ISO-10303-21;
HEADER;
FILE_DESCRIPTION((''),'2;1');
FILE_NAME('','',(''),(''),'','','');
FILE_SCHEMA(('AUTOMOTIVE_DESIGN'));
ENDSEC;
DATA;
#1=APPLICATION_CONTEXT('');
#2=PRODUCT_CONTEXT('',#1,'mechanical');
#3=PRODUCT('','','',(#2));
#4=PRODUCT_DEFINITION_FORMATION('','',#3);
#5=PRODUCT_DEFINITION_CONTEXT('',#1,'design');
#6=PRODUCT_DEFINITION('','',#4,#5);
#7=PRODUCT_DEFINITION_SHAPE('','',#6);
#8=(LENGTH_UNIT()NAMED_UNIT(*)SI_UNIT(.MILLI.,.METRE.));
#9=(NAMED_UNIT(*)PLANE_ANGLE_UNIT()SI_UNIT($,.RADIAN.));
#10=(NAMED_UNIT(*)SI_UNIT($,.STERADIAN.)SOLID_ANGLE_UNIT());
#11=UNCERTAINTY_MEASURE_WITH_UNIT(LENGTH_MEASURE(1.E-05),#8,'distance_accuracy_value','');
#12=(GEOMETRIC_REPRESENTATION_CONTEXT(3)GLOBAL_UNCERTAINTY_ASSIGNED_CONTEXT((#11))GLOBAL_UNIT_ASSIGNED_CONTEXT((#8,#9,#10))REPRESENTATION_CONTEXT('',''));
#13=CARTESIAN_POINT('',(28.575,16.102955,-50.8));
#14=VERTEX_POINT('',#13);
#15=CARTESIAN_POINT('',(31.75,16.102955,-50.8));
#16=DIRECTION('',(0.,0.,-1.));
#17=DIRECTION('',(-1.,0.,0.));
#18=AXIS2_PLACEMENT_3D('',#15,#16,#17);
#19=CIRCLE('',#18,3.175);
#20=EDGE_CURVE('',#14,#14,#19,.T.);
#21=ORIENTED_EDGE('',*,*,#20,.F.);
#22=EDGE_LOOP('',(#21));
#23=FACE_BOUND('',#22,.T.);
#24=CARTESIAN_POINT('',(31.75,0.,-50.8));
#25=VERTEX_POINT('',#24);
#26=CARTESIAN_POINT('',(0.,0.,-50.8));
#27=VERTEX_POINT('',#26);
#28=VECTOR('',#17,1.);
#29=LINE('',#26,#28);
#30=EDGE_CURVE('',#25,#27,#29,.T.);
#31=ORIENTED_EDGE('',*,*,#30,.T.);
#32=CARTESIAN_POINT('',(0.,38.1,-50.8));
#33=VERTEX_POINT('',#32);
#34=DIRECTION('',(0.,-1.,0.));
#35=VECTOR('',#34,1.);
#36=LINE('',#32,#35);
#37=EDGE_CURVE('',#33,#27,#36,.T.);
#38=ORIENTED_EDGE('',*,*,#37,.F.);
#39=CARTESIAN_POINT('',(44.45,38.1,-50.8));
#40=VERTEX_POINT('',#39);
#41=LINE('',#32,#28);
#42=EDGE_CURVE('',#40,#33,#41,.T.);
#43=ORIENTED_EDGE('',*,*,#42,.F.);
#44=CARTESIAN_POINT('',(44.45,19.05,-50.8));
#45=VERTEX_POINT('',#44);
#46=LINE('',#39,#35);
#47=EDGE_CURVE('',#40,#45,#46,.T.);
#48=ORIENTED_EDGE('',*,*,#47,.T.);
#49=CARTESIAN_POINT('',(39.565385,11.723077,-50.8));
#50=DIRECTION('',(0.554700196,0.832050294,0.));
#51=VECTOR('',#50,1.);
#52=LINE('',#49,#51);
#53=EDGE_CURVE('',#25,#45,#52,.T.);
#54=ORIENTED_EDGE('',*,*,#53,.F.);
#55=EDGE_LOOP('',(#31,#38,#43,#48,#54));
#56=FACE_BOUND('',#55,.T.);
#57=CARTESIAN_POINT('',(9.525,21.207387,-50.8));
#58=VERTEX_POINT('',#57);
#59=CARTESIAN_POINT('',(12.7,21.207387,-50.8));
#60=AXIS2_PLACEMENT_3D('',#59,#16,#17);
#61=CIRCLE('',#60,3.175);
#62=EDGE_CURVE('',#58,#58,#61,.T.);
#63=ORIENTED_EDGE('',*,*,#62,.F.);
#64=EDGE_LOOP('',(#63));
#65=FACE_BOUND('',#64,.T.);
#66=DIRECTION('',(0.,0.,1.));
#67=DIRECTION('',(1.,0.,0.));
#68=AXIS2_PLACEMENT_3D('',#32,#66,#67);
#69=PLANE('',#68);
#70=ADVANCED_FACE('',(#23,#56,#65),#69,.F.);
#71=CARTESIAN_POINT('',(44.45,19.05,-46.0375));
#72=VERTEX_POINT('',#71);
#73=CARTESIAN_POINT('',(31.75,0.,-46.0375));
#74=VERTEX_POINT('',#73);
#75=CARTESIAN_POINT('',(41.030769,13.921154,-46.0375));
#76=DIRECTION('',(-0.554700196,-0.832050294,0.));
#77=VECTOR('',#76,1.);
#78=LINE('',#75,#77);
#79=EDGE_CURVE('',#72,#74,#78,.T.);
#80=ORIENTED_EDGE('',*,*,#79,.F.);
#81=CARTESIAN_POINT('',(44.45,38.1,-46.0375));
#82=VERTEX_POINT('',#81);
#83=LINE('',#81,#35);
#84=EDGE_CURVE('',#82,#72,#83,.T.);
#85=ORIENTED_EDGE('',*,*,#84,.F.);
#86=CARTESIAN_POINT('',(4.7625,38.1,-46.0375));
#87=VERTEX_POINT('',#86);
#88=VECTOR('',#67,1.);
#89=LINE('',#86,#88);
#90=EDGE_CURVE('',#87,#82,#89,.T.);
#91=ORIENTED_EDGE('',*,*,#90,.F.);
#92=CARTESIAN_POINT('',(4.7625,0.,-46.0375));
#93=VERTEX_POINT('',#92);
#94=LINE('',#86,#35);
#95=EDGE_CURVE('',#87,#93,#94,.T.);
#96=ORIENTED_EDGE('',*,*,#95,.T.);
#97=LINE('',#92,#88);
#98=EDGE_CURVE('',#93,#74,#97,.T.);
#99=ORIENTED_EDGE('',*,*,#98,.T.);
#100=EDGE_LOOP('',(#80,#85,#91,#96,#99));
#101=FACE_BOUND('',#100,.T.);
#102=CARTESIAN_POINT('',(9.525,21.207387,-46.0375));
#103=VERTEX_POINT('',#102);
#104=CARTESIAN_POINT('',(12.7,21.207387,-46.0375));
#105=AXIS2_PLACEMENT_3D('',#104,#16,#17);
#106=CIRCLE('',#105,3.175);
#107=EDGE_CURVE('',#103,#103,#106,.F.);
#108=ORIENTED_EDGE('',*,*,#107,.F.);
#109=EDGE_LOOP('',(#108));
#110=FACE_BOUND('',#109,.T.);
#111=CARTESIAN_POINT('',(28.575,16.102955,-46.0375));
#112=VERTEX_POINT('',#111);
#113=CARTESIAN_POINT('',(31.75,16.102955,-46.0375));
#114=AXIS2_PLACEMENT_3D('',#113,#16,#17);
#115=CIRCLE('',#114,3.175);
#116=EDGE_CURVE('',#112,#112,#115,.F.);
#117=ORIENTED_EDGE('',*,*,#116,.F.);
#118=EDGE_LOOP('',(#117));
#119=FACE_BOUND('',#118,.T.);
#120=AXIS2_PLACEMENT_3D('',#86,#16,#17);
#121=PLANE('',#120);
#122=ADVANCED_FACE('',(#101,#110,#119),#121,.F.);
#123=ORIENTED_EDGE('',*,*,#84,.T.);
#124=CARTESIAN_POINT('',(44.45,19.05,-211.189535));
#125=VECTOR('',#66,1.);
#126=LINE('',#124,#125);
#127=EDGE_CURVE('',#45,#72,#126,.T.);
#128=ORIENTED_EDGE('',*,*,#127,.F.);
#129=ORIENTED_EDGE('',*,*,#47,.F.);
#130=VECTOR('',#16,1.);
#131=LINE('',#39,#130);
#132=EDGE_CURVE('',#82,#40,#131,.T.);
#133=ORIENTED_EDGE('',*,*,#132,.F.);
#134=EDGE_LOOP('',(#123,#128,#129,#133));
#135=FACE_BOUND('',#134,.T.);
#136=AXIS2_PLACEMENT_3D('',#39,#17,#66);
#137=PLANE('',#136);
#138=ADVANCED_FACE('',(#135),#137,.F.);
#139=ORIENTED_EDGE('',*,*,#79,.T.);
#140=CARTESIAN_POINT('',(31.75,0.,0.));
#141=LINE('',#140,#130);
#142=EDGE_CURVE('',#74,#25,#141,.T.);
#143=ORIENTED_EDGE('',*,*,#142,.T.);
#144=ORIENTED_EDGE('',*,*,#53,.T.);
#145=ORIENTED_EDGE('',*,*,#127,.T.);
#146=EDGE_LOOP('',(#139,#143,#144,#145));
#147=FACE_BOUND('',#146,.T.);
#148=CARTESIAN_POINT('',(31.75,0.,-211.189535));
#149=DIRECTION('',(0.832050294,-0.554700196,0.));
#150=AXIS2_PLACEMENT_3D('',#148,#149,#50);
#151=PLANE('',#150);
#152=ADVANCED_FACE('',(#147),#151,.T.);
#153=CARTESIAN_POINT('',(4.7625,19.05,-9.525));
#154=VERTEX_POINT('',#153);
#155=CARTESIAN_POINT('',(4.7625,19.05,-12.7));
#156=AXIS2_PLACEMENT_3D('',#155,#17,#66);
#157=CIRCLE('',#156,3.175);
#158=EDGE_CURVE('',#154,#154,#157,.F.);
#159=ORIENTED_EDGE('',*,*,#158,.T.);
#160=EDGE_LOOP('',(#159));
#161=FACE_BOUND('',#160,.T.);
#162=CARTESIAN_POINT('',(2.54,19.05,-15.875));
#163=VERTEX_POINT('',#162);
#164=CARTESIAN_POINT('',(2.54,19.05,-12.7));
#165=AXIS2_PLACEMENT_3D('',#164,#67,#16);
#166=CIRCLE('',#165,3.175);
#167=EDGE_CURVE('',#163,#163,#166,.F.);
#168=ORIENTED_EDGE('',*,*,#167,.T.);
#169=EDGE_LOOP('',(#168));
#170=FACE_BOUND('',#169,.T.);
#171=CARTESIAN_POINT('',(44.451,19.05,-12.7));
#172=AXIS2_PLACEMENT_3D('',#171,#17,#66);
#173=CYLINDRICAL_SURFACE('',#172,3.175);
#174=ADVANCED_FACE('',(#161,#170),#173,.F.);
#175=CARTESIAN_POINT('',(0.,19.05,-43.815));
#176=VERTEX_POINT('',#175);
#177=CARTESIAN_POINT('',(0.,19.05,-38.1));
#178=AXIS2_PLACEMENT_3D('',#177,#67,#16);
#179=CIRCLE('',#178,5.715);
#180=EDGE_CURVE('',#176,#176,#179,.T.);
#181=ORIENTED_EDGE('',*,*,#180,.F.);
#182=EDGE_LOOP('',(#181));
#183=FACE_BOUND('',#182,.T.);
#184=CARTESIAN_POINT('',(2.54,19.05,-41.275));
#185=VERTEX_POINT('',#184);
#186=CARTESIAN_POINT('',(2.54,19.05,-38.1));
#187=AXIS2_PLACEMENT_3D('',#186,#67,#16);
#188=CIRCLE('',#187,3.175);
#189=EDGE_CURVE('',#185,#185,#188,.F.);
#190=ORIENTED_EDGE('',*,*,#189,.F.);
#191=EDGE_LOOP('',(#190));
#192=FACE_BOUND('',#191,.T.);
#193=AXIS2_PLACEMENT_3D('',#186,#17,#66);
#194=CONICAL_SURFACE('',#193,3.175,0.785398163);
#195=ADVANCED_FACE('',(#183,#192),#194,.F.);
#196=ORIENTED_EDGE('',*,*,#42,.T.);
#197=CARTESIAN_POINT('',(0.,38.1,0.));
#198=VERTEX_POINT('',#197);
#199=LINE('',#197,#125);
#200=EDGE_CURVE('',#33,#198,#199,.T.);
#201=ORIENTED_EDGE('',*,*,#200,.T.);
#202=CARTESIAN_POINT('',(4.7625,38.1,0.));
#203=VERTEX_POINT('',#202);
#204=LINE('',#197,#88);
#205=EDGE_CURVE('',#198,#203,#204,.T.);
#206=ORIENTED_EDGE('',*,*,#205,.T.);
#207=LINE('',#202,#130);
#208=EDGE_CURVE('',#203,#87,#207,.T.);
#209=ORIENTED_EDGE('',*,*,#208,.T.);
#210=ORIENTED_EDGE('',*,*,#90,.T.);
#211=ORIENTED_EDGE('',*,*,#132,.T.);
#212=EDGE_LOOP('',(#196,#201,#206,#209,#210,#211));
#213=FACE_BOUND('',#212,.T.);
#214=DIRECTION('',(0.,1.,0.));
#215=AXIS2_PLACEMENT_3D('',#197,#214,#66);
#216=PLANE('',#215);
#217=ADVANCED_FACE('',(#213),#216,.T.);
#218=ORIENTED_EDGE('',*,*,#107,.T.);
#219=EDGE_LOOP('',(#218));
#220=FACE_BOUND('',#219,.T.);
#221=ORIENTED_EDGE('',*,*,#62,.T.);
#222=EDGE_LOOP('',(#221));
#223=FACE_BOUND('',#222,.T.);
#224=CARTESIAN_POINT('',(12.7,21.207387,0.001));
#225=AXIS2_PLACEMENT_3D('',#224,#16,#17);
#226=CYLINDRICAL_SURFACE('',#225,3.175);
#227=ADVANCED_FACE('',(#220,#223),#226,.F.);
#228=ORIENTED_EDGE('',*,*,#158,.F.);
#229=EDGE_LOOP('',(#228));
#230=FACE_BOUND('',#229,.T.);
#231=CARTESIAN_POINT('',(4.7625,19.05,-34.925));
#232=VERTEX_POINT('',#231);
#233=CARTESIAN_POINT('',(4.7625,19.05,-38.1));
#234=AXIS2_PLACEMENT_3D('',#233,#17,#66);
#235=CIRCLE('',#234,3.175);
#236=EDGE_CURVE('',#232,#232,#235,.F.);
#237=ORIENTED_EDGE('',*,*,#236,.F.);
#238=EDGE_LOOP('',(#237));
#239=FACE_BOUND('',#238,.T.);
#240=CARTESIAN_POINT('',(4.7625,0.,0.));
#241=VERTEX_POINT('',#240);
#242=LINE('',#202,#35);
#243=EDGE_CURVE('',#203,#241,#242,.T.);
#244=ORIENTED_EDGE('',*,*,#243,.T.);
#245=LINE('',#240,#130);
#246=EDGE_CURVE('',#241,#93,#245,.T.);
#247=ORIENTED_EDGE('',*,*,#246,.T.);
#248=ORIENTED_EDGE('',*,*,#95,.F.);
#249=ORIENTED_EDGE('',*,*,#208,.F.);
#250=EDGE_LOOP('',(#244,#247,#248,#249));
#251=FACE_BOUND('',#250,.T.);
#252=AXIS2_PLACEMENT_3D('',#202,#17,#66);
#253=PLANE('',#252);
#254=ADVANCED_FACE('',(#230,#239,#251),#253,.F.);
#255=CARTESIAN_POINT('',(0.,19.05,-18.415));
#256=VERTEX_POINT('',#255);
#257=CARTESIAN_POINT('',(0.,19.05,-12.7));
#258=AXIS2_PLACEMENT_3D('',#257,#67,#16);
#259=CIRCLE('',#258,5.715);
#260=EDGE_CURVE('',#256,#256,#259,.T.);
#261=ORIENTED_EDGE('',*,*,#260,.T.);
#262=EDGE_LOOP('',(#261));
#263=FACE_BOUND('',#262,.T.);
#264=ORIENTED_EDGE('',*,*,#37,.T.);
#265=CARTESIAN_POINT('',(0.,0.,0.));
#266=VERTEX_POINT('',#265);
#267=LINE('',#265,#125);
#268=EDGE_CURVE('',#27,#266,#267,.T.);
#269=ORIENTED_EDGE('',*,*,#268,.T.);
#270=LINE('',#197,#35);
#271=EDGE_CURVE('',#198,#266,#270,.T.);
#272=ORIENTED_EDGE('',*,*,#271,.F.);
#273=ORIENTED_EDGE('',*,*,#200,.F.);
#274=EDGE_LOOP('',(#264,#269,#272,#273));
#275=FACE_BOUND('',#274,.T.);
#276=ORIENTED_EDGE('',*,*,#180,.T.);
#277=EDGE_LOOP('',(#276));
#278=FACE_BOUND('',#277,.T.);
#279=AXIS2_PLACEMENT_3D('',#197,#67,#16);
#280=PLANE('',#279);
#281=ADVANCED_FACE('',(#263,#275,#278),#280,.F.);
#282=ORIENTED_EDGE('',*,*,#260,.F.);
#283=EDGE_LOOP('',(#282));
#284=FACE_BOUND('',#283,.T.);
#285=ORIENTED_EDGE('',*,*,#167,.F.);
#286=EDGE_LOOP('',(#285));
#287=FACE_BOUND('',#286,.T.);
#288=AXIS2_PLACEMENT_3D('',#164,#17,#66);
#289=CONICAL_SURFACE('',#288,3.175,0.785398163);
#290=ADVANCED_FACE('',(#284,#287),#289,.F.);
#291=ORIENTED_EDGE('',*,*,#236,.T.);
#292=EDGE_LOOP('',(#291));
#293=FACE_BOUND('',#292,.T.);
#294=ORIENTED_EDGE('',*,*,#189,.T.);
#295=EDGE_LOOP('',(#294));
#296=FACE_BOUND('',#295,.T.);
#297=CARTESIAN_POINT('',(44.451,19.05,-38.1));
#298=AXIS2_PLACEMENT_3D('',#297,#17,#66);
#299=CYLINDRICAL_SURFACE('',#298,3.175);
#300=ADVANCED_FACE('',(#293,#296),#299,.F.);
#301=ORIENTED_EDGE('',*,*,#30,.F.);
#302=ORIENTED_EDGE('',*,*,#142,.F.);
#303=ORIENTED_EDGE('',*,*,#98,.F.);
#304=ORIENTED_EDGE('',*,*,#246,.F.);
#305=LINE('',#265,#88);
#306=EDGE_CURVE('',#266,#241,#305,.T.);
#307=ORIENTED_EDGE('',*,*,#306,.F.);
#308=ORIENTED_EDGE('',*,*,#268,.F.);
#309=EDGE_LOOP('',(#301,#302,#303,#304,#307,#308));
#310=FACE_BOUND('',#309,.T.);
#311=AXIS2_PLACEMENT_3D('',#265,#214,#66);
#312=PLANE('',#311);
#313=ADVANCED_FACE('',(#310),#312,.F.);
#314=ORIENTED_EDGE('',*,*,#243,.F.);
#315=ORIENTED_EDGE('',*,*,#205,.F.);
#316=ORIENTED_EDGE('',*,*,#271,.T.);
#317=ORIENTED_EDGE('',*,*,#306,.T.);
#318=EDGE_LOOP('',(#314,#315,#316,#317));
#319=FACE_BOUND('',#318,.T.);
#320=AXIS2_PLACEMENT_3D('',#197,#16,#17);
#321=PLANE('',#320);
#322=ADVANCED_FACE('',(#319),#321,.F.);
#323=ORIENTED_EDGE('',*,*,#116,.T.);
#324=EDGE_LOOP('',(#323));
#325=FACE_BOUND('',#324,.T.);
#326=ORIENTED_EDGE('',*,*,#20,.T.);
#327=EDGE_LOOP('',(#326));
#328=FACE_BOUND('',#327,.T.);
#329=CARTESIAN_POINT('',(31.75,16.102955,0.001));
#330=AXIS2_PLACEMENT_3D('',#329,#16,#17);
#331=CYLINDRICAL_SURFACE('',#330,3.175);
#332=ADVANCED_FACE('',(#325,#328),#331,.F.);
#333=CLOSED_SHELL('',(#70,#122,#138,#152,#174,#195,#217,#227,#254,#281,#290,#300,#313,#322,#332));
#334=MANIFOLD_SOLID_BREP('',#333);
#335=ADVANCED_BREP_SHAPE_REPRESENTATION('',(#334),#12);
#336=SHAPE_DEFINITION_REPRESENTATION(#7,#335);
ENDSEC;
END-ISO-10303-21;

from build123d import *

# Parameters (mm, degrees)
BOSS_EXTRUDE1_DEPTH     = 38.1
CUT_EXTRUDE1_REACH      = 79.512
SKETCH2_R               = 3.175
CUT_EXTRUDE2_REACH      = 79.512
SKETCH4_R               = 3.175
CHAMFER1_SIZE           = 2.54
CUT_EXTRUDE3_DEPTH      = 78.51162816
CUT_EXTRUDE3_DEPTH_BACK = 78.51162816


with BuildPart() as part:
    # Sketch1 → Boss-Extrude1 (new body)
    with BuildSketch(Plane(origin=(0, 0, 0), x_dir=(1, 0, 0), z_dir=(0, 1, 0))):
        Polygon((0, 0), (0, 50.8), (44.45, 50.8), (44.45, 46.0375), (4.7625, 46.0375), (4.7625, 0), align=None)
    extrude(amount=BOSS_EXTRUDE1_DEPTH)

    # Sketch2 → Cut-Extrude1 (cut, up to next)
    with BuildSketch(Plane(origin=(0, 0, -50.8), x_dir=(-1, 0, 0), z_dir=(0, 0, -1)), mode=Mode.PRIVATE) as cut_extrude1_sk1:
        with Locations((-12.7, 21.20738686)):
            Circle(SKETCH2_R)
    cut_extrude1_tool1 = extrude(cut_extrude1_sk1.sketch, amount=-CUT_EXTRUDE1_REACH, mode=Mode.PRIVATE) & part.part
    # Sketch2 → Cut-Extrude1 (cut, up to next)
    with BuildSketch(Plane(origin=(0, 0, -50.8), x_dir=(-1, 0, 0), z_dir=(0, 0, -1)), mode=Mode.PRIVATE) as cut_extrude1_sk2:
        with Locations((-31.75, 16.102954744)):
            Circle(SKETCH2_R)
    cut_extrude1_tool2 = extrude(cut_extrude1_sk2.sketch, amount=-CUT_EXTRUDE1_REACH, mode=Mode.PRIVATE) & part.part
    add(cut_extrude1_tool1.solids().sort_by_distance((12.7, 21.207387, -50.8))[0], mode=Mode.SUBTRACT)
    add(cut_extrude1_tool2.solids().sort_by_distance((31.75, 16.102955, -50.8))[0], mode=Mode.SUBTRACT)

    # Sketch4 → Cut-Extrude2 (cut, up to next)
    with BuildSketch(Plane.ZY, mode=Mode.PRIVATE) as cut_extrude2_sk1:
        with Locations((-12.7, 19.05)):
            Circle(SKETCH4_R)
    cut_extrude2_tool1 = extrude(cut_extrude2_sk1.sketch, amount=-CUT_EXTRUDE2_REACH, mode=Mode.PRIVATE) & part.part
    # Sketch4 → Cut-Extrude2 (cut, up to next)
    with BuildSketch(Plane.ZY, mode=Mode.PRIVATE) as cut_extrude2_sk2:
        with Locations((-38.1, 19.05)):
            Circle(SKETCH4_R)
    cut_extrude2_tool2 = extrude(cut_extrude2_sk2.sketch, amount=-CUT_EXTRUDE2_REACH, mode=Mode.PRIVATE) & part.part
    add(cut_extrude2_tool1.solids().sort_by_distance((0, 19.05, -12.7))[0], mode=Mode.SUBTRACT)
    add(cut_extrude2_tool2.solids().sort_by_distance((0, 19.05, -38.1))[0], mode=Mode.SUBTRACT)

    # Chamfer1
    chamfer1_edges = [part.edges().sort_by_distance(p)[0] for p in [
        (0, 19.05, -15.875),
        (0, 19.05, -41.275),
    ]]
    chamfer(chamfer1_edges, length=CHAMFER1_SIZE)

    # Sketch5 → Cut-Extrude3 (cut, two sides: drawn at the far end of the back side and taken through both)
    with BuildSketch(Plane(origin=(0, 0, -50.8), x_dir=(-1, 0, 0), z_dir=(0, 0, -1)).offset(-CUT_EXTRUDE3_DEPTH_BACK)):
        Polygon((28.817809215, -90.851713823), (-31.75, 0), (-44.45, 19.05), (-105.017809215, 109.901713823), (-286.721236861, -11.233904608), (-152.88561843, -211.987332253), align=None)
    extrude(amount=CUT_EXTRUDE3_DEPTH + CUT_EXTRUDE3_DEPTH_BACK, mode=Mode.SUBTRACT)


solid = part.part
